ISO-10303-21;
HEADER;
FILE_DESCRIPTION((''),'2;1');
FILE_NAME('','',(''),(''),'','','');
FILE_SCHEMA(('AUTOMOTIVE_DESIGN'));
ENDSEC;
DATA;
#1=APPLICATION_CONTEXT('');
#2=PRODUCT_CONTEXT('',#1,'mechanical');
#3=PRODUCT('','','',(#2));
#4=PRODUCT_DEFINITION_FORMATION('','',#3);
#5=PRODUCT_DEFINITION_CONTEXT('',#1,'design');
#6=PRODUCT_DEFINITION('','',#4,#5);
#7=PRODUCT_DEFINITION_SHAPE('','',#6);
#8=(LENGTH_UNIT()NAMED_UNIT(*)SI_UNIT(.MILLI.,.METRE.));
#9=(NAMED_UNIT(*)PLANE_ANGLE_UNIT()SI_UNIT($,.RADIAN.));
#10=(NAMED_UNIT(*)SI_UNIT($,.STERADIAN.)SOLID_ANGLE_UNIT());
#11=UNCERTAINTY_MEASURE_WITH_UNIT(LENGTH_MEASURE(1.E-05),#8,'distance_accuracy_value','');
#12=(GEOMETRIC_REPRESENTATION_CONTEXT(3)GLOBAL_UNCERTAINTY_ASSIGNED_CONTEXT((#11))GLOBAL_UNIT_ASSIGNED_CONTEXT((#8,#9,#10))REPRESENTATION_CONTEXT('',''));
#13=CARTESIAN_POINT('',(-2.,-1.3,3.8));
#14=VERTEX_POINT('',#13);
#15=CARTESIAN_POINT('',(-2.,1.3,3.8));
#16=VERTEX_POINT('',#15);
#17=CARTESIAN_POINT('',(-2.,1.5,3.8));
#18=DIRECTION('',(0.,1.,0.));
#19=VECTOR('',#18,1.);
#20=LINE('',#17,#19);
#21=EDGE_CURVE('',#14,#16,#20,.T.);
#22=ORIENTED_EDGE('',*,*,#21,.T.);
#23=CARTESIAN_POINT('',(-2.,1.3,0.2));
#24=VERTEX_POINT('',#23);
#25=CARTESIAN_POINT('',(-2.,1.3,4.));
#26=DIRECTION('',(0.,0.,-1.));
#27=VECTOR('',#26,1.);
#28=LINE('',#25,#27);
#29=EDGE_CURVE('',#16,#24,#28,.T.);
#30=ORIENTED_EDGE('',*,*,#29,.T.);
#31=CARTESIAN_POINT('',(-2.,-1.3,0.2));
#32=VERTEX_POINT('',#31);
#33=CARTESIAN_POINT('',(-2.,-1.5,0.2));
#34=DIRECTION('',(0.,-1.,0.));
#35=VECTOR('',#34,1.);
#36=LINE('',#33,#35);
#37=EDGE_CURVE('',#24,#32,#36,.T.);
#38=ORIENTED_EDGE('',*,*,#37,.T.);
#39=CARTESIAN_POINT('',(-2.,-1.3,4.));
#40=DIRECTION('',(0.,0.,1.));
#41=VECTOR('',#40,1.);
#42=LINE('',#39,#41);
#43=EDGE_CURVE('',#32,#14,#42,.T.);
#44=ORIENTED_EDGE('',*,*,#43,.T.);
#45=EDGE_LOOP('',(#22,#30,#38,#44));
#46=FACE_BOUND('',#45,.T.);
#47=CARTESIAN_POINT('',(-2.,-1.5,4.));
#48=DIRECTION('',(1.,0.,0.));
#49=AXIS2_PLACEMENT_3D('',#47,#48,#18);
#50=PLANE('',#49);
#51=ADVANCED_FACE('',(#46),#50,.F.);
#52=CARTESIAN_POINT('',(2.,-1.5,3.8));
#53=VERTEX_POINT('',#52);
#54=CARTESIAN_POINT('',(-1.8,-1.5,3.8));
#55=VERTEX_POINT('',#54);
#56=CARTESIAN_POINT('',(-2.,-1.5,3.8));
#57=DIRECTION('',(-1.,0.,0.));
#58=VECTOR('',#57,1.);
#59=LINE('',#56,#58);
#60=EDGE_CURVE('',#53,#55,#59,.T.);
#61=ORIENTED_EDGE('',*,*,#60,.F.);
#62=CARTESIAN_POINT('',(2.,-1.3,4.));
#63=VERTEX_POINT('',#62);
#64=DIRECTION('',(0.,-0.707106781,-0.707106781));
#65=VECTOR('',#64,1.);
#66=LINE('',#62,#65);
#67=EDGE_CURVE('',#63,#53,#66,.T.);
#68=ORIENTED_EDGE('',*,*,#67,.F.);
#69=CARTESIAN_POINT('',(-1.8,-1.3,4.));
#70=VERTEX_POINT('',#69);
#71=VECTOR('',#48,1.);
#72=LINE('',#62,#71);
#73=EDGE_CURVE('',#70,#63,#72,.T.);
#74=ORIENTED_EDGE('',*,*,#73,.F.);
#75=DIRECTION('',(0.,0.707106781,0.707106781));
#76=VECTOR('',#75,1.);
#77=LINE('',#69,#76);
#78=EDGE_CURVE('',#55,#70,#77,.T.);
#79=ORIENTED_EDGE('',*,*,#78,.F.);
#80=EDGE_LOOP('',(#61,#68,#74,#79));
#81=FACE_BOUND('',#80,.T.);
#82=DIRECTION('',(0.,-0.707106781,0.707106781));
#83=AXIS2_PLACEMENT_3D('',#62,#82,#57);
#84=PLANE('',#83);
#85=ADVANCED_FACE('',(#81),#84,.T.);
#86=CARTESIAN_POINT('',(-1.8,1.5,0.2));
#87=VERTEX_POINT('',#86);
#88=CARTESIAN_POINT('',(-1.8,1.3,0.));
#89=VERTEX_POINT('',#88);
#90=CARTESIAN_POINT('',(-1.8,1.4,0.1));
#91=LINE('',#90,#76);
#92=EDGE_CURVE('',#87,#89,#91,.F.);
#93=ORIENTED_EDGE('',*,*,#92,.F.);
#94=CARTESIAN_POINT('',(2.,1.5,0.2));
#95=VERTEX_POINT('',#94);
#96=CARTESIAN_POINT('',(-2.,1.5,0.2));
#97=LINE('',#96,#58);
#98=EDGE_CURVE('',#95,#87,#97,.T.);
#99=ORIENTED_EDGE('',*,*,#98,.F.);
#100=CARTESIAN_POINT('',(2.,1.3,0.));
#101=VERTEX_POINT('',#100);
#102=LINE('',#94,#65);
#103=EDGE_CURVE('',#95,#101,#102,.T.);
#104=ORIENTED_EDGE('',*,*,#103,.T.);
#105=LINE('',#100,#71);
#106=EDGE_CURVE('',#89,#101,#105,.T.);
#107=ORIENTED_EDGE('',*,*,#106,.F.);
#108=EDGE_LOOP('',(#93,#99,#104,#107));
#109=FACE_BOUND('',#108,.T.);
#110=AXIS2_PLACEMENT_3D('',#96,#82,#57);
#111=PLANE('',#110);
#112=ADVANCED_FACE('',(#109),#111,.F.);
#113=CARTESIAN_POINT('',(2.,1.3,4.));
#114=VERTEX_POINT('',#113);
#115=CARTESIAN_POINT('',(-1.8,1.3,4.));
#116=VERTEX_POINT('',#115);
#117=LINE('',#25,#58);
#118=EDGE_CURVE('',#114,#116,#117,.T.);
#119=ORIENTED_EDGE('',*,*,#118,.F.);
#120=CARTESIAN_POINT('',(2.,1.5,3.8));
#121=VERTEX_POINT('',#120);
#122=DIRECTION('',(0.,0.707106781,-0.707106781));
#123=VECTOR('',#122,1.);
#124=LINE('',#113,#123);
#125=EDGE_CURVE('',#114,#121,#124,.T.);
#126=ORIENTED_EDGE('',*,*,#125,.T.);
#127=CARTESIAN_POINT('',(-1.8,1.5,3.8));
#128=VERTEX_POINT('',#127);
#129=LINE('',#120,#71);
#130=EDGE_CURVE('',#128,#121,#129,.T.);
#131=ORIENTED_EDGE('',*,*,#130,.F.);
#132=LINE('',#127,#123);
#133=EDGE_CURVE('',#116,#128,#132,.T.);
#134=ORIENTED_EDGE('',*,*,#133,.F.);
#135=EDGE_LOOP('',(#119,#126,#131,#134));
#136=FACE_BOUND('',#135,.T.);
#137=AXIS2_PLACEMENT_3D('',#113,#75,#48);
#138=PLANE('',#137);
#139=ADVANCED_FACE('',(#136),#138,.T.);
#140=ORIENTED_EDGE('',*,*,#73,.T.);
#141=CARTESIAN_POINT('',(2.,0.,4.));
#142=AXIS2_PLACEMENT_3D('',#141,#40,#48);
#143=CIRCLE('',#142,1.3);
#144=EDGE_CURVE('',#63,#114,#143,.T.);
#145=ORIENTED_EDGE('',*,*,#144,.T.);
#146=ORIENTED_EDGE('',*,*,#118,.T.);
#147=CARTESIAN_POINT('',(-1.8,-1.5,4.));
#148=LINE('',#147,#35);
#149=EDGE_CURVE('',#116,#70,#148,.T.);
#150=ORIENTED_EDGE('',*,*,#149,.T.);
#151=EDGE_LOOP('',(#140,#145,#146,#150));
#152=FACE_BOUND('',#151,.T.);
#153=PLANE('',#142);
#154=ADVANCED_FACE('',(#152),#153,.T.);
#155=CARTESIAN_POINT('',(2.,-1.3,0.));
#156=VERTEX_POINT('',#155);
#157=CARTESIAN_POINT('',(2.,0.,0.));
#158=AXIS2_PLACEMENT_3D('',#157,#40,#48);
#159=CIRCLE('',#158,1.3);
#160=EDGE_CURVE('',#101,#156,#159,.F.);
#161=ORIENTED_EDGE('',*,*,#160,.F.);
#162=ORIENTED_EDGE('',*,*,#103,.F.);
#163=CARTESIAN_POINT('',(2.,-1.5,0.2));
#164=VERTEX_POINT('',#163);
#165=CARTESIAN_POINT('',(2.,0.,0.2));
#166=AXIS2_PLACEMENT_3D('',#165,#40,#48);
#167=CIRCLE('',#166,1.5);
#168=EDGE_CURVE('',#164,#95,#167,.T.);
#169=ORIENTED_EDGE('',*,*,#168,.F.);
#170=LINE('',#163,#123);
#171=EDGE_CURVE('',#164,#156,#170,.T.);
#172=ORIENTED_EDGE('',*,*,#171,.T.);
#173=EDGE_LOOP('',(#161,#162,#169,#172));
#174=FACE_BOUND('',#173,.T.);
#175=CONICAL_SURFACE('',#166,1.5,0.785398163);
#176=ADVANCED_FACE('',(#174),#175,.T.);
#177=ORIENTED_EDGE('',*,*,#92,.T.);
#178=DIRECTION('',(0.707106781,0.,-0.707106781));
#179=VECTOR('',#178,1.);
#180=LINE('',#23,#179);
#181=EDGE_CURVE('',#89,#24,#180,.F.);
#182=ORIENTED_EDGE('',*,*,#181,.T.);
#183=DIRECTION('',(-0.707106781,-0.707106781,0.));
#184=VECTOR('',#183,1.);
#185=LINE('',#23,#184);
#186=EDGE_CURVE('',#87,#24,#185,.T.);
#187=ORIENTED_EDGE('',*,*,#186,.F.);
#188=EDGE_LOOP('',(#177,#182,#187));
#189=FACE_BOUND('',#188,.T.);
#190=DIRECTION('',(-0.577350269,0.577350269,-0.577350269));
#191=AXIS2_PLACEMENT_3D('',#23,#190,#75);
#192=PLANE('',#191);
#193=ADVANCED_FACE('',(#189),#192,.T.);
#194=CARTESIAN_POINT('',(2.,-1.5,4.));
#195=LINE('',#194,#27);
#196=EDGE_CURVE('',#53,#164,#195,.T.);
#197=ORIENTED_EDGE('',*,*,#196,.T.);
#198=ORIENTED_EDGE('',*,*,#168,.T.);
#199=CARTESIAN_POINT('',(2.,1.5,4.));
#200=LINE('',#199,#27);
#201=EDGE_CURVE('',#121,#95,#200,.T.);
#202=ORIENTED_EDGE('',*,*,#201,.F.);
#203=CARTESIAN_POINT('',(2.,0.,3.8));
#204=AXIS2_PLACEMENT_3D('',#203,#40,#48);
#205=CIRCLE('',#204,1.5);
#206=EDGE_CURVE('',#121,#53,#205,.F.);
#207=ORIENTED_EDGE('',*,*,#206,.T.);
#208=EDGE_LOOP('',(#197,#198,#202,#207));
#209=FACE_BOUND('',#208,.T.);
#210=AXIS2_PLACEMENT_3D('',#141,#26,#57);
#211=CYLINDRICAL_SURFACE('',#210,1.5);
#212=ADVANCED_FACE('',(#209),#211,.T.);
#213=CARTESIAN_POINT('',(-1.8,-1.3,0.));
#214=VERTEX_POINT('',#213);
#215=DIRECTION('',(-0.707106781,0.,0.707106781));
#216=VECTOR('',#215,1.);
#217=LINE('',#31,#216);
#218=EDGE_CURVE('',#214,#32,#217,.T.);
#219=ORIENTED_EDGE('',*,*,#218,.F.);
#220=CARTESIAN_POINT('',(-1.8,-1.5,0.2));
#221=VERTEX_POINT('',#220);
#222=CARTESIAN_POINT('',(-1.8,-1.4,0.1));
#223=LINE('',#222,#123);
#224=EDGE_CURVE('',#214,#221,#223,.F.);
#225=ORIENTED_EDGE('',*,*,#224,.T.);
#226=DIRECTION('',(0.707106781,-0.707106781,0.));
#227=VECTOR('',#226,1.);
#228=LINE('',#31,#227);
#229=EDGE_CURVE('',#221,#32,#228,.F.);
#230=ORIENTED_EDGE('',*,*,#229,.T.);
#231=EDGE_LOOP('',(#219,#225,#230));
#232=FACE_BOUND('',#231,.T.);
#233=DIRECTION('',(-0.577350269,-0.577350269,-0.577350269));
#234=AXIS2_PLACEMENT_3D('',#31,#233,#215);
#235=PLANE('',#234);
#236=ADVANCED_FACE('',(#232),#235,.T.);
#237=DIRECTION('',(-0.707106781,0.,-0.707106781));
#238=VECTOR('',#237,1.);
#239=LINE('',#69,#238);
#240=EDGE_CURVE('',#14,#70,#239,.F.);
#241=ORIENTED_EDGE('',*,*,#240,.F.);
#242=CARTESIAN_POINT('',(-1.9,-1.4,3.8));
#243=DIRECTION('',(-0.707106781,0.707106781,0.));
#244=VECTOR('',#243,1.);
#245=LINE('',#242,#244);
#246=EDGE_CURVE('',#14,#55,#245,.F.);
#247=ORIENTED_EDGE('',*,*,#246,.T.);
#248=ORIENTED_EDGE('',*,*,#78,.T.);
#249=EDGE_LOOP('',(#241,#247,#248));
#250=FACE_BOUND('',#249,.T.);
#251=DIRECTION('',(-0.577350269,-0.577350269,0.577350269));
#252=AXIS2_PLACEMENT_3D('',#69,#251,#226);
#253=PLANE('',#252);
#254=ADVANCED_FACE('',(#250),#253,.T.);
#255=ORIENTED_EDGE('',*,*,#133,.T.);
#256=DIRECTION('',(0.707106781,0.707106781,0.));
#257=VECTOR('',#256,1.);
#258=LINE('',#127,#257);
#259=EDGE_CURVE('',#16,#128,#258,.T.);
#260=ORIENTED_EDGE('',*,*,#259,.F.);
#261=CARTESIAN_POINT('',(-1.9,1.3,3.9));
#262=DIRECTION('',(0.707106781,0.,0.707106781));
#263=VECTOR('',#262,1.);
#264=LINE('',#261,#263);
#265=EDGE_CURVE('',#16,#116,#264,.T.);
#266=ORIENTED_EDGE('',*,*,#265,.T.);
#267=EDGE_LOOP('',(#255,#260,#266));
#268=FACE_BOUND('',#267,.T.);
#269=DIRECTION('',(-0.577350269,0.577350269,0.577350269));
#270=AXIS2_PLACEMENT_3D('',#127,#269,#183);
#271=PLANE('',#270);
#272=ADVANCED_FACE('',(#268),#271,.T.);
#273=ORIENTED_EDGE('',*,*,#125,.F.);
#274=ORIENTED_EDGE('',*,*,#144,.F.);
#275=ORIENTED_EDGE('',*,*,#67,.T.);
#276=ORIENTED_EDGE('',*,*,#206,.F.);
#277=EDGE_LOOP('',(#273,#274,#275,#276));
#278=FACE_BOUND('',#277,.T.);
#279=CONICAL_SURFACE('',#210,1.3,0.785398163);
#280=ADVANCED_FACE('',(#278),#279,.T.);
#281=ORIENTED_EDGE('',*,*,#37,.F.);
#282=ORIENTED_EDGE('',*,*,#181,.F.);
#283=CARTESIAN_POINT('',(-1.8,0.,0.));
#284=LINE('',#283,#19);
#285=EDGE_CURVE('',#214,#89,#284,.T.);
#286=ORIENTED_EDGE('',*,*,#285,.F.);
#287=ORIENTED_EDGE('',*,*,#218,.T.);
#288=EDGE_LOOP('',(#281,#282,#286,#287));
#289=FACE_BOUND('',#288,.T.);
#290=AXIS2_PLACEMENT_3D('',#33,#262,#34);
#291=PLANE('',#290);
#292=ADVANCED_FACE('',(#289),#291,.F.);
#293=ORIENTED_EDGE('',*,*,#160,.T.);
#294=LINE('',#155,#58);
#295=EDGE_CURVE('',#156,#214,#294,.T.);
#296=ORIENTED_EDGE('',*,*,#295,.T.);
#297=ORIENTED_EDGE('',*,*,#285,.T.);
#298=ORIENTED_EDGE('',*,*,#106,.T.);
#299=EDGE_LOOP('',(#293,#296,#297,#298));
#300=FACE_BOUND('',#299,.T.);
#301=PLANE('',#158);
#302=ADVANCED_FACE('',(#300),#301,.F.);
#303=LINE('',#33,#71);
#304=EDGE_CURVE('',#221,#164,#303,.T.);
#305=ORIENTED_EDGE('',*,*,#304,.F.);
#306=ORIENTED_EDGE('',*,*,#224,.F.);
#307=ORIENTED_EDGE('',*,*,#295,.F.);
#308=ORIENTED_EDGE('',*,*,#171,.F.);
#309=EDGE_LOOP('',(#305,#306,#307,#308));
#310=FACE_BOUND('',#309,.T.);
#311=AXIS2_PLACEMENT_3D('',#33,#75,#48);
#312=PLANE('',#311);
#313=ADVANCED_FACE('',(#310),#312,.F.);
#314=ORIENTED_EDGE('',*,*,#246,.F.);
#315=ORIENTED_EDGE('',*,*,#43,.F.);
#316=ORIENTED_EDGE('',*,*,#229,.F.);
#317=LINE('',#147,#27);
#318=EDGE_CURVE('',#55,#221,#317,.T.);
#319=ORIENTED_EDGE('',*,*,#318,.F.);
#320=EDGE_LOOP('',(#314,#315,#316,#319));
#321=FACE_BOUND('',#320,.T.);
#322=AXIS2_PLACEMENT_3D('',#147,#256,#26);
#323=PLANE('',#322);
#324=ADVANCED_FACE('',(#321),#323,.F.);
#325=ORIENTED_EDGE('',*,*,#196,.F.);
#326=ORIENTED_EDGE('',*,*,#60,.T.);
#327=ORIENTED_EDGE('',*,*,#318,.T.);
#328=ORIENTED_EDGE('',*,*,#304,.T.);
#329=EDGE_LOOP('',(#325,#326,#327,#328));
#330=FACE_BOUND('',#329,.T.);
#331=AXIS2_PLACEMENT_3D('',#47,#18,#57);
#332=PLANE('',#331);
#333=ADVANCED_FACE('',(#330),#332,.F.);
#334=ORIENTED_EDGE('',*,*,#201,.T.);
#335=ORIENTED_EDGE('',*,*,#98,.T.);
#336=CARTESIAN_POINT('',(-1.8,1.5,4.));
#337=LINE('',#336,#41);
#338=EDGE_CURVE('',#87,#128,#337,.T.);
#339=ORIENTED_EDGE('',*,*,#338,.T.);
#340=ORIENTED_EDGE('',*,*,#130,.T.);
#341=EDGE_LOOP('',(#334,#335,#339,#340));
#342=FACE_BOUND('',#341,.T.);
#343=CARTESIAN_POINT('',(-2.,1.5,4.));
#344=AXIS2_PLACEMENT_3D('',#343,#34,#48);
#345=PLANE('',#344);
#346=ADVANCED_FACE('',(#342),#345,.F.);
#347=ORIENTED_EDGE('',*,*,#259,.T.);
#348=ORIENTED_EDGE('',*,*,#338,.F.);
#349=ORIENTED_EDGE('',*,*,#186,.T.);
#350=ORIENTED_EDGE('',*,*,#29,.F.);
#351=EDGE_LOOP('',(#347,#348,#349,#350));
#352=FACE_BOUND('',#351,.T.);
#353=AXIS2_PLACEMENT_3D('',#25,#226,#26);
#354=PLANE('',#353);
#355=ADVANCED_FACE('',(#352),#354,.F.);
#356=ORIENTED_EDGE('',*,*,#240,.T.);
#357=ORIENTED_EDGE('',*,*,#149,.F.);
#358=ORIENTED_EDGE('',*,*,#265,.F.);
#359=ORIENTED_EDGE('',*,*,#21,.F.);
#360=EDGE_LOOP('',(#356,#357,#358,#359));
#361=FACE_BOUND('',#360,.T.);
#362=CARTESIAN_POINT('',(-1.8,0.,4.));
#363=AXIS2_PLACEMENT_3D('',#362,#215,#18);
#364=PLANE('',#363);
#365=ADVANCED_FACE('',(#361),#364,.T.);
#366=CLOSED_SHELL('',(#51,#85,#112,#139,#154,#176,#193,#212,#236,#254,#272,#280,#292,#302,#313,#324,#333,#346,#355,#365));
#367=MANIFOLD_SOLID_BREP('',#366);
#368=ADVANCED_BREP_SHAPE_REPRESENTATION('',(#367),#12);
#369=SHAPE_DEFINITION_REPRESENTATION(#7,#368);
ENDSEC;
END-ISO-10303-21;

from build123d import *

# Parameters (mm, degrees)
EXTRUDE_1_DEPTH = 4
CHAMFER_1_SIZE  = 0.2


with BuildPart() as part:
    # 草图1 → 凸台-拉伸1 (new body)
    with BuildSketch(Plane.XY):
        with BuildLine():
            Line((-2, -1.5), (2, -1.5))
            ThreePointArc((2, -1.5), (3.5, 0), (2, 1.5))
            Line((2, 1.5), (-2, 1.5))
            Line((-2, 1.5), (-2, -1.5))
        make_face()
    extrude(amount=EXTRUDE_1_DEPTH)

    # 倒角1
    chamfer_1_edges = [part.edges().sort_by_distance(p)[0] for p in [
        (-2, 0, 4),
        (0, -1.5, 4),
        (3.5, 0, 4),
        (0, -1.5, 0),
        (-2, 0, 0),
        (0, 1.5, 0),
        (3.5, 0, 0),
        (-2, -1.5, 2),
        (-2, 1.5, 2),
        (0, 1.5, 4),
    ]]
    chamfer(chamfer_1_edges, length=CHAMFER_1_SIZE)


solid = part.part
